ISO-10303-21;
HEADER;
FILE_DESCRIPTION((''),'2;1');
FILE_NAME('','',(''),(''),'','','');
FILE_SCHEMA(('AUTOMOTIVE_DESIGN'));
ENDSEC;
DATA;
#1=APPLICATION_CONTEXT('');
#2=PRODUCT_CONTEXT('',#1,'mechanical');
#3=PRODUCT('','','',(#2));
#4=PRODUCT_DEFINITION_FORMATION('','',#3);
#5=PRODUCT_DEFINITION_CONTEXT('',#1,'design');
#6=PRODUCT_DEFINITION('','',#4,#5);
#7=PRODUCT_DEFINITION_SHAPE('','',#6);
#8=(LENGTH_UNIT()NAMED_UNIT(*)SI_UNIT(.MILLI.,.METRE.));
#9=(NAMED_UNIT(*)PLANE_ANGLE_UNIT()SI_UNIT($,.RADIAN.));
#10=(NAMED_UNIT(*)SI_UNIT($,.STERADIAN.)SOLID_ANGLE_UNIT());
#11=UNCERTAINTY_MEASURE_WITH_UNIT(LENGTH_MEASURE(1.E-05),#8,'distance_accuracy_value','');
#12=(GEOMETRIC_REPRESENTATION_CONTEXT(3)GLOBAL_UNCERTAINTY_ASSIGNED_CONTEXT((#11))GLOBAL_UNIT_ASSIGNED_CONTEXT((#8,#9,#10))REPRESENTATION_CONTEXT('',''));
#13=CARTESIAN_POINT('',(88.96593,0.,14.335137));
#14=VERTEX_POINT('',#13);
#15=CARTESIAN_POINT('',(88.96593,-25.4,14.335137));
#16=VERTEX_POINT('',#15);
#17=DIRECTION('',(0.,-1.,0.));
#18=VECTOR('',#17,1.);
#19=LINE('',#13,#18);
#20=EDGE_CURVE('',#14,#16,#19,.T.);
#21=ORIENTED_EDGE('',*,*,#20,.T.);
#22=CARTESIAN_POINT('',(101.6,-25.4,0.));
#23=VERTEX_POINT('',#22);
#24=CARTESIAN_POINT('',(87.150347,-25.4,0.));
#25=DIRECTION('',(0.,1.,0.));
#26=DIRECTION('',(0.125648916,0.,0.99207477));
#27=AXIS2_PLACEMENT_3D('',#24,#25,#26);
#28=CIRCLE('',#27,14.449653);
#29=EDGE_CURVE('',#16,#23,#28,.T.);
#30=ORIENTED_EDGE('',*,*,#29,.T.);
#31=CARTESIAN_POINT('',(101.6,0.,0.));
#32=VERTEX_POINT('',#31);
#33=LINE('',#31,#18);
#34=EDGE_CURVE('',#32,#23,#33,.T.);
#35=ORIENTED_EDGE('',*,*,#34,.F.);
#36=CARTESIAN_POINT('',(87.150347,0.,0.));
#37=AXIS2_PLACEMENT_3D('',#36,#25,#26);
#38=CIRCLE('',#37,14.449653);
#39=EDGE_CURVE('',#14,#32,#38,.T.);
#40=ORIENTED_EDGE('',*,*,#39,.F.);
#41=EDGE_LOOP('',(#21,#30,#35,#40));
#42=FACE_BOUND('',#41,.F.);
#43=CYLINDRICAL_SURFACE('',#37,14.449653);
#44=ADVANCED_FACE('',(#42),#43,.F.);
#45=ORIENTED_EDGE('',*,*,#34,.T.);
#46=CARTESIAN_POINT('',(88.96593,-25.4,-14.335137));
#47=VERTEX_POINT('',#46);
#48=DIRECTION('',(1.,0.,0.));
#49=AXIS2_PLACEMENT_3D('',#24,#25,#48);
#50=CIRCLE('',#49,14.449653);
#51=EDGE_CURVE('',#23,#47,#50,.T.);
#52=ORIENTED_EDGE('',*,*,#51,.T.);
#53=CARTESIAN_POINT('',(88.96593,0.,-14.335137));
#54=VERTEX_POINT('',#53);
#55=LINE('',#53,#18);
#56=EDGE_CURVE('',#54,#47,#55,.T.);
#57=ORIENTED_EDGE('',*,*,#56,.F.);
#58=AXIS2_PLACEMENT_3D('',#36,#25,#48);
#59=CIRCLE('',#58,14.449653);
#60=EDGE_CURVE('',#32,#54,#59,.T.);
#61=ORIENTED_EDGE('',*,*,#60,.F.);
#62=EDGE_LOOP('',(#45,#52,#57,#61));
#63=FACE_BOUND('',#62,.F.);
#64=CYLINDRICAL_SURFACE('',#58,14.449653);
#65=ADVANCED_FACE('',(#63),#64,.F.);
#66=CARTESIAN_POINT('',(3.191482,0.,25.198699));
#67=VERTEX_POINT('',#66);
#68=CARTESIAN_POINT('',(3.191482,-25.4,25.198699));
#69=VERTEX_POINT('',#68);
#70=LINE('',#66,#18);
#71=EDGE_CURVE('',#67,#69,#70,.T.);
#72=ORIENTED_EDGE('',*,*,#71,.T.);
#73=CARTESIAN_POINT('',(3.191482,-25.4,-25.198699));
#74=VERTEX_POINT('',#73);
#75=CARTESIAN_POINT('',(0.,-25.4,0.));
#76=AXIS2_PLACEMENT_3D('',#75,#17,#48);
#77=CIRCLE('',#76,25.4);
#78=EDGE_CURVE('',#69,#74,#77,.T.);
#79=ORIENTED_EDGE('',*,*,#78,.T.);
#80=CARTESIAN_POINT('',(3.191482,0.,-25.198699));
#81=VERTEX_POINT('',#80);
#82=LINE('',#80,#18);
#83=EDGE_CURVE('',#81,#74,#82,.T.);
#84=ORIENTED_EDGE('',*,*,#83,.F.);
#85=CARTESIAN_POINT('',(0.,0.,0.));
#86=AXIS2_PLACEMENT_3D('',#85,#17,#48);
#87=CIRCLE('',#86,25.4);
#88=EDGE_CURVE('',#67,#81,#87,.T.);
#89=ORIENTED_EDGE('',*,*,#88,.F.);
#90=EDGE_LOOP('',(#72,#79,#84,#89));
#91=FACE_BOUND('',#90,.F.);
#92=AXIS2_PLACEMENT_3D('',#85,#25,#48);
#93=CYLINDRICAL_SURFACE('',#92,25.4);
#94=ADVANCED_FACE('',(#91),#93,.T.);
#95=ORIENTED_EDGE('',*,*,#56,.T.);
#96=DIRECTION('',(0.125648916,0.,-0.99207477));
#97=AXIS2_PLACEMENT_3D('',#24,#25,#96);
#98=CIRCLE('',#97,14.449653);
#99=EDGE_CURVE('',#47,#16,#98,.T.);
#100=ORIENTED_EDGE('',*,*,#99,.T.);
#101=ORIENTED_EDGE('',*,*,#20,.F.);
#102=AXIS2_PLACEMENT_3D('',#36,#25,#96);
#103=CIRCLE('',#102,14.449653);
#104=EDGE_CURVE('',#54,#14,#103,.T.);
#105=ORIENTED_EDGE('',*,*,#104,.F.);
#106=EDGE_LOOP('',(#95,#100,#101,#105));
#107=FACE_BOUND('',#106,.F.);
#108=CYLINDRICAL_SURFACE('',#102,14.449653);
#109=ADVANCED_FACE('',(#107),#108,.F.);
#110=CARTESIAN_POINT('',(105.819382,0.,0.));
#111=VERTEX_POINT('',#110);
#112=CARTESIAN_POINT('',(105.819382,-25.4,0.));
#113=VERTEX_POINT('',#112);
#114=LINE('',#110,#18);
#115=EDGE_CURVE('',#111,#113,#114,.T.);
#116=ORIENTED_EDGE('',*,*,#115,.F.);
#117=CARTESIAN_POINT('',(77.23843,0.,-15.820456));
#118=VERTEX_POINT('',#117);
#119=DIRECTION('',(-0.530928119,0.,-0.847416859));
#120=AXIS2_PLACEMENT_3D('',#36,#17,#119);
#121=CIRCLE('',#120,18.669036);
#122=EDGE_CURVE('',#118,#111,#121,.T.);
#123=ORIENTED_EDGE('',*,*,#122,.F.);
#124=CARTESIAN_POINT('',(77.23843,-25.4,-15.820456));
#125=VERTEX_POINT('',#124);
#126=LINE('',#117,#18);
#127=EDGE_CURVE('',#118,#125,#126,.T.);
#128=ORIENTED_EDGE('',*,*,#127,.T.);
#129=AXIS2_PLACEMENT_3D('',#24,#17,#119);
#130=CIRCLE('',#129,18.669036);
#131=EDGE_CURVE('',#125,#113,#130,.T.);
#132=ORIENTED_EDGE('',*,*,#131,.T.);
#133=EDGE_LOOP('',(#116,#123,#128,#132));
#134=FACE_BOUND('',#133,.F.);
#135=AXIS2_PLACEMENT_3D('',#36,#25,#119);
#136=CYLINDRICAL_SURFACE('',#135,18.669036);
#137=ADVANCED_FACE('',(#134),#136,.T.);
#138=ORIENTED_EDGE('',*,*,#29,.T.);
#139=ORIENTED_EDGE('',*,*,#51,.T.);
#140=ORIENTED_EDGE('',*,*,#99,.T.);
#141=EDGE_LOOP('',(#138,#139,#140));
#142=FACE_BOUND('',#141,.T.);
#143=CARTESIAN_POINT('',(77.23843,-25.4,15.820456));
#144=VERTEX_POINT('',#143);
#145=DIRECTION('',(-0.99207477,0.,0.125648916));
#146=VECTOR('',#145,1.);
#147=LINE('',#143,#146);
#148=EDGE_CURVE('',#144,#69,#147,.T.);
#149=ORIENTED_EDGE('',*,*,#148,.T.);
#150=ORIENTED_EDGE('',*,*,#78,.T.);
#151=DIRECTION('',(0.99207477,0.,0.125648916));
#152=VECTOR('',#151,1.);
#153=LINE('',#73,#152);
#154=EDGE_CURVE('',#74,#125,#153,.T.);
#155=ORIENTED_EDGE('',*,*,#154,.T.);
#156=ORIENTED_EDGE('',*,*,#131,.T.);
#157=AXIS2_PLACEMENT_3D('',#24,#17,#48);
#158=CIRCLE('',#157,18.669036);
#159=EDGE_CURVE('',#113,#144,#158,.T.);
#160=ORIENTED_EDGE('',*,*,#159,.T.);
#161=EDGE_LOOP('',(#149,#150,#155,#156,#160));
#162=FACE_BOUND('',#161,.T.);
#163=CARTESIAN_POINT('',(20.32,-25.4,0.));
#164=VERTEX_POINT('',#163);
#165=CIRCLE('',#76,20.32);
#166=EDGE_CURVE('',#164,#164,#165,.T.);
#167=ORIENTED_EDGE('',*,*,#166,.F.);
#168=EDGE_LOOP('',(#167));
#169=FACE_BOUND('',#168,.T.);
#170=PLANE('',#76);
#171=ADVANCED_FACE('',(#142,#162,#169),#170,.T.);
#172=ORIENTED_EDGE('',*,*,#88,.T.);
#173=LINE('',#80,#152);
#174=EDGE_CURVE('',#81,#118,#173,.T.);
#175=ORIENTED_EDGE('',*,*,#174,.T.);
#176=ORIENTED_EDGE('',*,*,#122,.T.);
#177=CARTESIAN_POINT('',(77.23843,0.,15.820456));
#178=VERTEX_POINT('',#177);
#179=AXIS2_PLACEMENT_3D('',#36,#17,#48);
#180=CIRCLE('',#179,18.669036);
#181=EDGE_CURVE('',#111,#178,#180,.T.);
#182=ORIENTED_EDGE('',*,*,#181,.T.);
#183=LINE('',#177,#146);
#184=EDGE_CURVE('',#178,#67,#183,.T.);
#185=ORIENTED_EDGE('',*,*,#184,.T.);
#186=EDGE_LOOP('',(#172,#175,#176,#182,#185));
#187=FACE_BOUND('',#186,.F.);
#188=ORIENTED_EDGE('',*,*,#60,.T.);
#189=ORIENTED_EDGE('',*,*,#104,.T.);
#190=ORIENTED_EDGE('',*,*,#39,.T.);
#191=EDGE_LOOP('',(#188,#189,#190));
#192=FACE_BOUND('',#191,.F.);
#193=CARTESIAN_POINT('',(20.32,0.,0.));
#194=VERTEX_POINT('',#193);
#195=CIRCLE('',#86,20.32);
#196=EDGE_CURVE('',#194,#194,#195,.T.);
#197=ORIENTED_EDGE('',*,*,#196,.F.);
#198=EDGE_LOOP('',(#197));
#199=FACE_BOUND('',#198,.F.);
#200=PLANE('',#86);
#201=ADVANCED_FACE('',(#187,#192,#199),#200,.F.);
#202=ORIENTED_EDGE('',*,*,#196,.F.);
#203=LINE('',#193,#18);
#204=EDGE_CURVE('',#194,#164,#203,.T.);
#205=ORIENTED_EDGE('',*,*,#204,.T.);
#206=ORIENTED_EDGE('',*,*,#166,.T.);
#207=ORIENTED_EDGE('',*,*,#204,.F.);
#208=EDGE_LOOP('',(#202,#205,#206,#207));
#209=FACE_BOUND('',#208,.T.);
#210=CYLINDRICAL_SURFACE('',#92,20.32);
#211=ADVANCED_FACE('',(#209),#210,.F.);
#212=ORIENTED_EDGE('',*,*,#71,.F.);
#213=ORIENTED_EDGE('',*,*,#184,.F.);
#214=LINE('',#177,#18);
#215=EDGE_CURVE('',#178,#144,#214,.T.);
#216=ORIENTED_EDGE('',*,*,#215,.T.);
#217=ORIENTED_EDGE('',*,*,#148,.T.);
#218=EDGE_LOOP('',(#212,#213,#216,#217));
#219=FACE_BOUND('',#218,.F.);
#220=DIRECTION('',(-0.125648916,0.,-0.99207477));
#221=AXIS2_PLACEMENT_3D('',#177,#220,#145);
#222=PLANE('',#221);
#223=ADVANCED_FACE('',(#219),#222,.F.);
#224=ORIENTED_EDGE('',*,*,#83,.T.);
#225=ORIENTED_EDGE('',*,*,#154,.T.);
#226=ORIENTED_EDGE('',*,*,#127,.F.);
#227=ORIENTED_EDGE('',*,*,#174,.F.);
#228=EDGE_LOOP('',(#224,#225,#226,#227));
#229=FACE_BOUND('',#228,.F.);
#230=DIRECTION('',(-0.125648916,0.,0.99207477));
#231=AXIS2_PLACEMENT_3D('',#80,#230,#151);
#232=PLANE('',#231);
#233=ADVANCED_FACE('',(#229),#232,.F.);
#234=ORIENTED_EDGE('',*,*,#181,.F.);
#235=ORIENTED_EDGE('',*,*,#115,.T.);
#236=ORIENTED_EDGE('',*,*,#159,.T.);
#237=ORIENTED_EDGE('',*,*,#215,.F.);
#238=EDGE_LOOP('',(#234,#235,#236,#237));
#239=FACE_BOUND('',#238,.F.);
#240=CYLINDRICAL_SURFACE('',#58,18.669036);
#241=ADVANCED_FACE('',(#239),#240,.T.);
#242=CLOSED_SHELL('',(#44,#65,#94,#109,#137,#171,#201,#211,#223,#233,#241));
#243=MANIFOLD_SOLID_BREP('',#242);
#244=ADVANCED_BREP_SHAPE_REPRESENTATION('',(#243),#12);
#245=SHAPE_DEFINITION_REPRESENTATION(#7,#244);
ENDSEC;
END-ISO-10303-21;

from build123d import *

# Parameters (mm, degrees)
F0_R     = 20.32
F1_DEPTH = 25.4


with BuildPart() as f1:
    # F0 (on Front) → F1 (new body)
    with BuildSketch(Plane.XZ):
        with BuildLine():
            ThreePointArc((3.191482456, -25.1986991675), (19.05549336, -16.794289887), (25.4, 0))
            ThreePointArc((25.4, 0), (19.05549336, 16.794289887), (3.191482456, 25.1986991675))
            ThreePointArc((3.191482456, 25.1986991675), (-25.4, 0), (3.191482456, -25.1986991675))
        make_face()
        Circle(F0_R, mode=Mode.SUBTRACT)
        with BuildLine():
            ThreePointArc((3.191482456, 25.1986991675), (19.05549336, 16.794289887), (25.4, 0))
            ThreePointArc((25.4, 0), (19.05549336, -16.794289887), (3.191482456, -25.1986991675))
            Line((3.191482456, -25.1986991675), (77.238430457, -15.8204557155))
            ThreePointArc((77.238430457, -15.8204557155), (68.4813106902, 0), (77.238430457, 15.8204557155))
            Line((77.238430457, 15.8204557155), (3.191482456, 25.1986991675))
        make_face()
        with BuildLine():
            ThreePointArc((105.8193823808, 0), (96.1915572628, 16.333689356), (77.238430457, 15.8204557155))
            Line((77.238430457, 15.8204557155), (88.965929824, 14.3351366427))
            ThreePointArc((88.965929824, 14.3351366427), (97.9907117184, 9.5540027185), (101.6, 0))
            ThreePointArc((101.6, 0), (97.9907117184, -9.5540027185), (88.965929824, -14.3351366427))
            Line((88.965929824, -14.3351366427), (77.238430457, -15.8204557155))
            ThreePointArc((77.238430457, -15.8204557155), (96.1915572628, -16.333689356), (105.8193823808, 0))
        make_face()
        with BuildLine():
            Line((88.965929824, 14.3351366427), (77.238430457, 15.8204557155))
            ThreePointArc((77.238430457, 15.8204557155), (68.4813106902, 0), (77.238430457, -15.8204557155))
            Line((77.238430457, -15.8204557155), (88.965929824, -14.3351366427))
            ThreePointArc((88.965929824, -14.3351366427), (72.7006930711, 0), (88.965929824, 14.3351366427))
        make_face()
    extrude(amount=F1_DEPTH)


solid = f1.part
